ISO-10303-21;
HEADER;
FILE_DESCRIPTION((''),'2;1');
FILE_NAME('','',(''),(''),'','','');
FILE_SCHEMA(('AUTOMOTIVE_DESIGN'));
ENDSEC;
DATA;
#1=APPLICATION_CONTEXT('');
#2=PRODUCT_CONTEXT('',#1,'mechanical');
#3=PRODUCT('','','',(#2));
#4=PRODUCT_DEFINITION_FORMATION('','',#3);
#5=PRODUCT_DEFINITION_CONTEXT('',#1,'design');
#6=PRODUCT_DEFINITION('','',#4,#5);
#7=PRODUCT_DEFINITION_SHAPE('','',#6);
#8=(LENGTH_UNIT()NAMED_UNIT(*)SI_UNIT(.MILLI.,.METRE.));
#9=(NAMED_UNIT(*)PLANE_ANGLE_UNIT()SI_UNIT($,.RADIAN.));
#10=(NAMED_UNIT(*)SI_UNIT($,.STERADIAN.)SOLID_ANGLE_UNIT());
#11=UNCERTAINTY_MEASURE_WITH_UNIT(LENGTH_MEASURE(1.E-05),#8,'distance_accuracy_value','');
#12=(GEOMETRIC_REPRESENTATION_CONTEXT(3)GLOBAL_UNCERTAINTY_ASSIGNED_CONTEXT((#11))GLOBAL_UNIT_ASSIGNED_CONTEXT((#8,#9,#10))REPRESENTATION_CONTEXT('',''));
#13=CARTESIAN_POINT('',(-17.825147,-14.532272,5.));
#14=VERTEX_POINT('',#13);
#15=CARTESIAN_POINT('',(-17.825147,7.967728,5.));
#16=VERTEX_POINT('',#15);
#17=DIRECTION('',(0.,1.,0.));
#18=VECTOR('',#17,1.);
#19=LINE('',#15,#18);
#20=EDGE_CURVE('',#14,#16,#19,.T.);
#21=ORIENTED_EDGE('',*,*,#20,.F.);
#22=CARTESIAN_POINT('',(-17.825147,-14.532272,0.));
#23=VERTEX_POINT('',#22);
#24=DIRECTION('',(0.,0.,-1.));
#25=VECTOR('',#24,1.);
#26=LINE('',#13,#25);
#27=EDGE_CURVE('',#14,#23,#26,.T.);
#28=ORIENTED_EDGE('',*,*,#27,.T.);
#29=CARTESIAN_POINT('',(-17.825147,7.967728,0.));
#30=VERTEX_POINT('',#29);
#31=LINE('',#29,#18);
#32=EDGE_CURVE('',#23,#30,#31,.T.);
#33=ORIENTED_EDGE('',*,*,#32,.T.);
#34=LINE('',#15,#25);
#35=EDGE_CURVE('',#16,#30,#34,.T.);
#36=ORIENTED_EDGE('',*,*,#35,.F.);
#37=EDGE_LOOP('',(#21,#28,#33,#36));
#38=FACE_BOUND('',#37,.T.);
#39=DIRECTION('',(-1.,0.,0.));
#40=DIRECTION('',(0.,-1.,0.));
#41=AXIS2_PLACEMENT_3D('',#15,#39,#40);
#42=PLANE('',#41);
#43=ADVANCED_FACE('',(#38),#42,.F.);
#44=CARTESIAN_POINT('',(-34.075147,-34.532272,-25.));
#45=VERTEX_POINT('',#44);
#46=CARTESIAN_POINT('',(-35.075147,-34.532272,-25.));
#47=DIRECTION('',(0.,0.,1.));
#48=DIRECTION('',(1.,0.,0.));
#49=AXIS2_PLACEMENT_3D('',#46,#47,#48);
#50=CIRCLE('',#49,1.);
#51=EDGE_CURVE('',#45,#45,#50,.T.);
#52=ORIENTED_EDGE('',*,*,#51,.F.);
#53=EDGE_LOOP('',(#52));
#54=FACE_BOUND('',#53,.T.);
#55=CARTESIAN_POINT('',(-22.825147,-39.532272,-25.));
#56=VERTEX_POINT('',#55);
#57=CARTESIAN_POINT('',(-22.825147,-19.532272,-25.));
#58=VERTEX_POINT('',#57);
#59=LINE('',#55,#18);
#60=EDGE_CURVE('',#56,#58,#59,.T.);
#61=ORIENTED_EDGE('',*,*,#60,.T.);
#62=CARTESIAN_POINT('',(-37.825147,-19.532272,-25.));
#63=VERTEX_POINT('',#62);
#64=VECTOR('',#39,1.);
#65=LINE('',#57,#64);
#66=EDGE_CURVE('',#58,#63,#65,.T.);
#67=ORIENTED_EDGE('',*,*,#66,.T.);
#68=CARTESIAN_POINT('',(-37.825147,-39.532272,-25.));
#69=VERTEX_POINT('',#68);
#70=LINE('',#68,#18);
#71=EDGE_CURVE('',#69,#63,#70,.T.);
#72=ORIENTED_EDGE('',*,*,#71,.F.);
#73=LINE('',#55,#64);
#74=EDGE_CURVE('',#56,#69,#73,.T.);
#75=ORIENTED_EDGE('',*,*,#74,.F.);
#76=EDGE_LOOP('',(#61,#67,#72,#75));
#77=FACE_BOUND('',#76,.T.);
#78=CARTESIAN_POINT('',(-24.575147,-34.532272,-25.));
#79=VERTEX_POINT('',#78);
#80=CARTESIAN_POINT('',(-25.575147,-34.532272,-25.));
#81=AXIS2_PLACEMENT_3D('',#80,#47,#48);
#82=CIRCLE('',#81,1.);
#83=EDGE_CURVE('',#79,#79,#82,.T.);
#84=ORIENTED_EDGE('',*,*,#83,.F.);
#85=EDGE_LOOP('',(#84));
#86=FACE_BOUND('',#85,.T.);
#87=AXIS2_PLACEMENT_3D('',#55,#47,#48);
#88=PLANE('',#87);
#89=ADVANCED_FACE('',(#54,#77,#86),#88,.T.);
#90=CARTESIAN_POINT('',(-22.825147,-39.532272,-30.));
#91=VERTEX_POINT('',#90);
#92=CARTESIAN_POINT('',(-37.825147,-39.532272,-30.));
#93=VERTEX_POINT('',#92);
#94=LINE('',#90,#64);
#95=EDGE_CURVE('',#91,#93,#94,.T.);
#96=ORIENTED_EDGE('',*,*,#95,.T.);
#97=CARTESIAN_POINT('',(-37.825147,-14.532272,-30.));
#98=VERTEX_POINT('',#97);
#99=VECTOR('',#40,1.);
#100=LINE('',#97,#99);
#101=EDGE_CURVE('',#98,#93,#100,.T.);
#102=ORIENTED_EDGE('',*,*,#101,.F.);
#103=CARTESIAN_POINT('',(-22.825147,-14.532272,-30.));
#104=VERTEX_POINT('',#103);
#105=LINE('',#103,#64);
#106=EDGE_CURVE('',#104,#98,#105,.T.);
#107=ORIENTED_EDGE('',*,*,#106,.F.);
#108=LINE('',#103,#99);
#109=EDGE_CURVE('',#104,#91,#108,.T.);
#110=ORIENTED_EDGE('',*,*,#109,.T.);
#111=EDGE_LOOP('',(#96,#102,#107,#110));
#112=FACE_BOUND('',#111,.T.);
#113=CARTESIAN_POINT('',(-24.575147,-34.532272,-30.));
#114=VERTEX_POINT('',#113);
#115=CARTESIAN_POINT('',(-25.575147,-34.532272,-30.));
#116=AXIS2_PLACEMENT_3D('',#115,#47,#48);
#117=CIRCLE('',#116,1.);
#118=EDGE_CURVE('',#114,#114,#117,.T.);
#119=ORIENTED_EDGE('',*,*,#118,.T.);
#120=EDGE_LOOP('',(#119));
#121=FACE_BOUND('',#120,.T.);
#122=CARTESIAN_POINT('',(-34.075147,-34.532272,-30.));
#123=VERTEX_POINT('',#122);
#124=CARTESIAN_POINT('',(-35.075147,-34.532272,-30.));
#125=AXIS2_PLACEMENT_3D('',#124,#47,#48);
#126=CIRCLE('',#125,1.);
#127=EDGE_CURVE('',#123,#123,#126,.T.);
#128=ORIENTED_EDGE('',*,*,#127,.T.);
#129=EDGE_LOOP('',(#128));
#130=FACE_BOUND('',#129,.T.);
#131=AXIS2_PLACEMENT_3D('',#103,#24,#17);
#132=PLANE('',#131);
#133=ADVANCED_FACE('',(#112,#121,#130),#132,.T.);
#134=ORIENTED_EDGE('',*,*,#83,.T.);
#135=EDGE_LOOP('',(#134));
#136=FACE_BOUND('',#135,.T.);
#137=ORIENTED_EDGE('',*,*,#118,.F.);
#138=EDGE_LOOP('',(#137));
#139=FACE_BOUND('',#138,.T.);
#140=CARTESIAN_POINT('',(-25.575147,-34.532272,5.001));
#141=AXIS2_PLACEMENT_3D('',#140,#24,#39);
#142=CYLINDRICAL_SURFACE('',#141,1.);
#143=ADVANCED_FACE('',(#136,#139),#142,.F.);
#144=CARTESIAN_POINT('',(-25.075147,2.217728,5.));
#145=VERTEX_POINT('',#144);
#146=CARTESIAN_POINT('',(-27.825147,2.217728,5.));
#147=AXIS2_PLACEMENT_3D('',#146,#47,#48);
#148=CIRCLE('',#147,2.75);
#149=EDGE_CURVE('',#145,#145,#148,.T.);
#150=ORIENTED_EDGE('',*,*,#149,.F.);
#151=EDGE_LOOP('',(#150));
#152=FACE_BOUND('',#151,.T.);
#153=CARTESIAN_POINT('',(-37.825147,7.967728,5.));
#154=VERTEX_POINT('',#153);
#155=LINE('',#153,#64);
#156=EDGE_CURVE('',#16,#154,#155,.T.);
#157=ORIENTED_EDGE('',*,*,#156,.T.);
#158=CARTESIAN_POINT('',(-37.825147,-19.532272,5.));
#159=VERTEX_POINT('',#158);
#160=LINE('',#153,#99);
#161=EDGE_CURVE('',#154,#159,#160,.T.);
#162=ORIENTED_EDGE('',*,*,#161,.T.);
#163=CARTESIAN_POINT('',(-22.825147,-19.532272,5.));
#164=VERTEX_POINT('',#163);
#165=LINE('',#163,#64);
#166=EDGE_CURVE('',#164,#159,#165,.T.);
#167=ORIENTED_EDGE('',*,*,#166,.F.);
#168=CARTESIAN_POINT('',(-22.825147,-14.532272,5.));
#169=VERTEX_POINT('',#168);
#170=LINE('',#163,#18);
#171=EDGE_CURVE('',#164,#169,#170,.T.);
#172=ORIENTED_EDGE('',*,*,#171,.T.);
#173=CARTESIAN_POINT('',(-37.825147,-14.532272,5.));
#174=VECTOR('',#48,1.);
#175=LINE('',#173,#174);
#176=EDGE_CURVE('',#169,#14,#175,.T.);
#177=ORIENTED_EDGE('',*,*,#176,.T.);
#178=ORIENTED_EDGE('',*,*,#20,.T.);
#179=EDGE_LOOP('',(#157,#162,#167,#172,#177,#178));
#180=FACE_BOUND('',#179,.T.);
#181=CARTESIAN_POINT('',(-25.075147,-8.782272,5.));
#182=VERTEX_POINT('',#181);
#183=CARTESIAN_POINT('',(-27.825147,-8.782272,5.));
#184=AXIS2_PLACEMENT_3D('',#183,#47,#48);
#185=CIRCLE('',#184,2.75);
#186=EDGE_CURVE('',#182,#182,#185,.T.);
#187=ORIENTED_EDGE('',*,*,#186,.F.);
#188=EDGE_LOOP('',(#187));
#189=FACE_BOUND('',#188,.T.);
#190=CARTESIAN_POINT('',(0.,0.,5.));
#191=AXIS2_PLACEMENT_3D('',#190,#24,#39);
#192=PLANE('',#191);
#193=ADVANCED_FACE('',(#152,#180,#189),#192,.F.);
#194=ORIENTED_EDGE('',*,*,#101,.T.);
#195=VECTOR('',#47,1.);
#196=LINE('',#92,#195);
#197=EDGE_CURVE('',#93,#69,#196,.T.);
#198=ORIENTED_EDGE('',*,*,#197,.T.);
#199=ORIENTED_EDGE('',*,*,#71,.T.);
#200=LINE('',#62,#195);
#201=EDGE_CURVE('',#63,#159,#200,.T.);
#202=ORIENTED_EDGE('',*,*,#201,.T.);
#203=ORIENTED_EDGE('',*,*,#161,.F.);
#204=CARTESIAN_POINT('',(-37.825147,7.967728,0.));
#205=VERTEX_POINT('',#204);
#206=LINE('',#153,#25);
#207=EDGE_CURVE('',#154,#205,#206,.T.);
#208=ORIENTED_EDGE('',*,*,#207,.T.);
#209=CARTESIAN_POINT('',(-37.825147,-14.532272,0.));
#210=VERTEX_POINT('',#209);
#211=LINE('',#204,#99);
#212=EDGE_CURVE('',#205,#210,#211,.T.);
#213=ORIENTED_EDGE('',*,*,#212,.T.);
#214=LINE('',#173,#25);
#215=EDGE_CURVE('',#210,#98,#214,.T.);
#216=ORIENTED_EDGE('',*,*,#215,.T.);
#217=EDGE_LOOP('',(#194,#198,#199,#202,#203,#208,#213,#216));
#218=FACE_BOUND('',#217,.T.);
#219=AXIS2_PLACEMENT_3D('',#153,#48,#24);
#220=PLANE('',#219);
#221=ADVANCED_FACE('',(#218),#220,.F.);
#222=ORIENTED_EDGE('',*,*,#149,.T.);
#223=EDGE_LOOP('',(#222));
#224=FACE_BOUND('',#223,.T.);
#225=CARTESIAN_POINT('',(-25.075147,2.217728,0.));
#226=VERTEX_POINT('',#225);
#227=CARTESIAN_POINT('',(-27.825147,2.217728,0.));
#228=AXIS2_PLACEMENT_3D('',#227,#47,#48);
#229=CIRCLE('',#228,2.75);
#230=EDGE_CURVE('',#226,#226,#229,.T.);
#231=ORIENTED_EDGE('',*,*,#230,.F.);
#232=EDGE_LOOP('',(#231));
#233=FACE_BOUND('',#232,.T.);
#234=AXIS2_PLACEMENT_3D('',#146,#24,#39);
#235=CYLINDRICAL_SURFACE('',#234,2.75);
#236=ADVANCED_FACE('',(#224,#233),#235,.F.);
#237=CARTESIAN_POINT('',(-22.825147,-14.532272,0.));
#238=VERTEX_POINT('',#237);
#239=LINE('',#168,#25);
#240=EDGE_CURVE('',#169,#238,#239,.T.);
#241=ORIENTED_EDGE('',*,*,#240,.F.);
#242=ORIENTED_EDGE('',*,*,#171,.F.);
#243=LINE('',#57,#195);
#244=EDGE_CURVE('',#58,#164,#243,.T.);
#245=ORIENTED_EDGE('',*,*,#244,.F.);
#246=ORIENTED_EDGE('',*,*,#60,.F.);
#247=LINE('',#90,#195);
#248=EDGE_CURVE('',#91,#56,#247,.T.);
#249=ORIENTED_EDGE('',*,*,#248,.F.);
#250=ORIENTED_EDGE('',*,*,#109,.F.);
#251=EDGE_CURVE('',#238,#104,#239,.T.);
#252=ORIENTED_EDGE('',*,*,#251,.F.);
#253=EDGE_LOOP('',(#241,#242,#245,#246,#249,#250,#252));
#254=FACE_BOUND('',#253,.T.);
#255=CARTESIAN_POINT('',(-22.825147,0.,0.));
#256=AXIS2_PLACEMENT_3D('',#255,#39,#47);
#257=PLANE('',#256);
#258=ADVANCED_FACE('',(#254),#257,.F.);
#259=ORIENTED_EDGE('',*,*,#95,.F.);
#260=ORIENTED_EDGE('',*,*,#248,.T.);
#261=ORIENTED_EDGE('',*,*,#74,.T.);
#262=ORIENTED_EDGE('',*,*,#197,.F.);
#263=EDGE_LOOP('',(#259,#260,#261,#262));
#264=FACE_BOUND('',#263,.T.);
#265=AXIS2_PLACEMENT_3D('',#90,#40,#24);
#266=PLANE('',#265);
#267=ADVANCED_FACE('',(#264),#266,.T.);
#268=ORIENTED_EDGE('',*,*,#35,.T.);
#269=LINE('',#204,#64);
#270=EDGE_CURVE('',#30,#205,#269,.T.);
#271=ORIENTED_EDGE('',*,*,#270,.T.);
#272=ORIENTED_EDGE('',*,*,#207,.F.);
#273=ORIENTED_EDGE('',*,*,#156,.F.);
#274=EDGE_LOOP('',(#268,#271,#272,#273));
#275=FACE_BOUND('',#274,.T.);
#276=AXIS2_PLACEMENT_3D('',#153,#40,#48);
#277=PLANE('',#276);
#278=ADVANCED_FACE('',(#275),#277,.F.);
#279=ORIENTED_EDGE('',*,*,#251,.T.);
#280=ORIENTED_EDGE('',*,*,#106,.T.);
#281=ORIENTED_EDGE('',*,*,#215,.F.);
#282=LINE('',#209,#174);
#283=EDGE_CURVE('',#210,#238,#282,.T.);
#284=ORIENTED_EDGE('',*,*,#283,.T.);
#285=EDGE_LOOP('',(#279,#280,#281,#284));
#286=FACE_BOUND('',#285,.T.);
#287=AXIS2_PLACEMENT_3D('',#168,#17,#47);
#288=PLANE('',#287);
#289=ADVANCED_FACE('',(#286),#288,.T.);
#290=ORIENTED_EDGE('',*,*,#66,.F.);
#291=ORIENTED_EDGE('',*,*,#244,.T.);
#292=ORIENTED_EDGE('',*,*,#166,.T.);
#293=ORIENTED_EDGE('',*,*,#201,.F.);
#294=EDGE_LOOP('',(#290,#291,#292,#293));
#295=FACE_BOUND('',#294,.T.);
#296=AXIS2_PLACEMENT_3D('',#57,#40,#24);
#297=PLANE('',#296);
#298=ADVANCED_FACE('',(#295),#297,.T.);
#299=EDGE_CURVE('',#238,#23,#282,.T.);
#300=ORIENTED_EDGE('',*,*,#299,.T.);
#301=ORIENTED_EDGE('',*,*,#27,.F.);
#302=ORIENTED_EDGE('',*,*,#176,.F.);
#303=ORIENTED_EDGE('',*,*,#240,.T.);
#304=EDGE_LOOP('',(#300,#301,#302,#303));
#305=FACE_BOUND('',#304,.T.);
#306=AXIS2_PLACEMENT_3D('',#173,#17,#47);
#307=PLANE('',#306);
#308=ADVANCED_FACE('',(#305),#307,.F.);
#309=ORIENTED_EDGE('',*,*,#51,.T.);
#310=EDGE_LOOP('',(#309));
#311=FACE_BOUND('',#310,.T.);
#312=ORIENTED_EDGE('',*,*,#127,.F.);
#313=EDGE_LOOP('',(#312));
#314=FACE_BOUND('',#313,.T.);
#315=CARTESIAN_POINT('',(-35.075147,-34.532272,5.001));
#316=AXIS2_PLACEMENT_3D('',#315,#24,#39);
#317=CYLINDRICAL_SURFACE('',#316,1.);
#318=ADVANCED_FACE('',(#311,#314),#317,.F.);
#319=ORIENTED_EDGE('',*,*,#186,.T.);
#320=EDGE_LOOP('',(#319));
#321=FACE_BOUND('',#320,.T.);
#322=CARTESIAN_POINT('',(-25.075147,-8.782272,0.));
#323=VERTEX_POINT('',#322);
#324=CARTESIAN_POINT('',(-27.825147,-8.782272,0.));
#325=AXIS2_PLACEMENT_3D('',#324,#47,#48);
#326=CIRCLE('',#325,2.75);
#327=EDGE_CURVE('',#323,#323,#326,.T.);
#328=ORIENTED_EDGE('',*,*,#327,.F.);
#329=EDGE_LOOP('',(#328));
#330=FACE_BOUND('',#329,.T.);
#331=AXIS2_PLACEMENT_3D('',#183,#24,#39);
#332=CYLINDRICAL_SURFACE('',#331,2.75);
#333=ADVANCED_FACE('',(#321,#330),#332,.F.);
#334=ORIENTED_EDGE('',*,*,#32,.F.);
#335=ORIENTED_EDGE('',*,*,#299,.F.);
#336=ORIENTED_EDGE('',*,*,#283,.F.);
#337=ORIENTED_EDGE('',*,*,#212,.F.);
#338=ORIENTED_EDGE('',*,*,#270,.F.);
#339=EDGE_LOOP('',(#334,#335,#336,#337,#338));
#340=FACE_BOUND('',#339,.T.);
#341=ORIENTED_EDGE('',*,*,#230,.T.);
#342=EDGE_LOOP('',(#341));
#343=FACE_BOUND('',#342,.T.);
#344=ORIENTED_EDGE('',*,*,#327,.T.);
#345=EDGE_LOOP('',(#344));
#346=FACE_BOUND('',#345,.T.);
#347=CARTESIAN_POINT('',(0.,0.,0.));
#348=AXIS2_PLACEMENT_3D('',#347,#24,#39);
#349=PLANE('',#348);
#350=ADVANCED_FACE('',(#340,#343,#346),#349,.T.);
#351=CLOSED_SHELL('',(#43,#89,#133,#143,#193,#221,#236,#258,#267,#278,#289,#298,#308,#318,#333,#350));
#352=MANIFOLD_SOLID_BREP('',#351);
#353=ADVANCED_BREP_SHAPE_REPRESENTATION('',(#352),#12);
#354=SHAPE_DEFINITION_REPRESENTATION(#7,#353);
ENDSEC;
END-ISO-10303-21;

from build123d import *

# Parameters (mm, degrees)
ESQUISSE1_W             = 20
ESQUISSE1_H             = 22.5
ESQUISSE1_R             = 2.75
BOSS_EXTRU_1_DEPTH      = 5
BOSS_EXTRU_2_DEPTH      = 15
ENL_V_MAT_EXTRU_1_REACH = 66.95
ESQUISSE3_R             = 1


with BuildPart() as part:
    # Esquisse1 → Boss.-Extru.1 (new body)
    with BuildSketch(Plane.XY):
        with Locations((-27.825146679, -3.282272289)):
            Rectangle(ESQUISSE1_W, ESQUISSE1_H)
        with Locations((-27.825146679, 2.217727711)):
            Circle(ESQUISSE1_R, mode=Mode.SUBTRACT)
        with Locations((-27.825146679, -8.782272289)):
            Circle(ESQUISSE1_R, mode=Mode.SUBTRACT)
    extrude(amount=BOSS_EXTRU_1_DEPTH)

    # Esquisse4 → Boss.-Extru.2 (add)
    with BuildSketch(Plane.ZY.offset(37.825146679)):
        Polygon((5, -14.532272289), (-30, -14.532272289), (-30, -39.532272289), (-25, -39.532272289), (-25, -19.532272289), (5, -19.532272289), align=None)
    extrude(amount=-BOSS_EXTRU_2_DEPTH)

    # Esquisse3 → Enlèv. mat.-Extru.1 (cut, up to next)
    with BuildSketch(Plane.XY.offset(-30), mode=Mode.PRIVATE) as enl_v_mat_extru_1_sk1:
        with Locations((-25.575146679, -34.532272289)):
            Circle(ESQUISSE3_R)
    enl_v_mat_extru_1_tool1 = extrude(enl_v_mat_extru_1_sk1.sketch, amount=ENL_V_MAT_EXTRU_1_REACH, mode=Mode.PRIVATE) & part.part
    # Esquisse3 → Enlèv. mat.-Extru.1 (cut, up to next)
    with BuildSketch(Plane.XY.offset(-30), mode=Mode.PRIVATE) as enl_v_mat_extru_1_sk2:
        with Locations((-35.075146679, -34.532272289)):
            Circle(ESQUISSE3_R)
    enl_v_mat_extru_1_tool2 = extrude(enl_v_mat_extru_1_sk2.sketch, amount=ENL_V_MAT_EXTRU_1_REACH, mode=Mode.PRIVATE) & part.part
    add(enl_v_mat_extru_1_tool1.solids().sort_by_distance((-25.575147, -34.532272, -30))[0], mode=Mode.SUBTRACT)
    add(enl_v_mat_extru_1_tool2.solids().sort_by_distance((-35.075147, -34.532272, -30))[0], mode=Mode.SUBTRACT)


solid = part.part
